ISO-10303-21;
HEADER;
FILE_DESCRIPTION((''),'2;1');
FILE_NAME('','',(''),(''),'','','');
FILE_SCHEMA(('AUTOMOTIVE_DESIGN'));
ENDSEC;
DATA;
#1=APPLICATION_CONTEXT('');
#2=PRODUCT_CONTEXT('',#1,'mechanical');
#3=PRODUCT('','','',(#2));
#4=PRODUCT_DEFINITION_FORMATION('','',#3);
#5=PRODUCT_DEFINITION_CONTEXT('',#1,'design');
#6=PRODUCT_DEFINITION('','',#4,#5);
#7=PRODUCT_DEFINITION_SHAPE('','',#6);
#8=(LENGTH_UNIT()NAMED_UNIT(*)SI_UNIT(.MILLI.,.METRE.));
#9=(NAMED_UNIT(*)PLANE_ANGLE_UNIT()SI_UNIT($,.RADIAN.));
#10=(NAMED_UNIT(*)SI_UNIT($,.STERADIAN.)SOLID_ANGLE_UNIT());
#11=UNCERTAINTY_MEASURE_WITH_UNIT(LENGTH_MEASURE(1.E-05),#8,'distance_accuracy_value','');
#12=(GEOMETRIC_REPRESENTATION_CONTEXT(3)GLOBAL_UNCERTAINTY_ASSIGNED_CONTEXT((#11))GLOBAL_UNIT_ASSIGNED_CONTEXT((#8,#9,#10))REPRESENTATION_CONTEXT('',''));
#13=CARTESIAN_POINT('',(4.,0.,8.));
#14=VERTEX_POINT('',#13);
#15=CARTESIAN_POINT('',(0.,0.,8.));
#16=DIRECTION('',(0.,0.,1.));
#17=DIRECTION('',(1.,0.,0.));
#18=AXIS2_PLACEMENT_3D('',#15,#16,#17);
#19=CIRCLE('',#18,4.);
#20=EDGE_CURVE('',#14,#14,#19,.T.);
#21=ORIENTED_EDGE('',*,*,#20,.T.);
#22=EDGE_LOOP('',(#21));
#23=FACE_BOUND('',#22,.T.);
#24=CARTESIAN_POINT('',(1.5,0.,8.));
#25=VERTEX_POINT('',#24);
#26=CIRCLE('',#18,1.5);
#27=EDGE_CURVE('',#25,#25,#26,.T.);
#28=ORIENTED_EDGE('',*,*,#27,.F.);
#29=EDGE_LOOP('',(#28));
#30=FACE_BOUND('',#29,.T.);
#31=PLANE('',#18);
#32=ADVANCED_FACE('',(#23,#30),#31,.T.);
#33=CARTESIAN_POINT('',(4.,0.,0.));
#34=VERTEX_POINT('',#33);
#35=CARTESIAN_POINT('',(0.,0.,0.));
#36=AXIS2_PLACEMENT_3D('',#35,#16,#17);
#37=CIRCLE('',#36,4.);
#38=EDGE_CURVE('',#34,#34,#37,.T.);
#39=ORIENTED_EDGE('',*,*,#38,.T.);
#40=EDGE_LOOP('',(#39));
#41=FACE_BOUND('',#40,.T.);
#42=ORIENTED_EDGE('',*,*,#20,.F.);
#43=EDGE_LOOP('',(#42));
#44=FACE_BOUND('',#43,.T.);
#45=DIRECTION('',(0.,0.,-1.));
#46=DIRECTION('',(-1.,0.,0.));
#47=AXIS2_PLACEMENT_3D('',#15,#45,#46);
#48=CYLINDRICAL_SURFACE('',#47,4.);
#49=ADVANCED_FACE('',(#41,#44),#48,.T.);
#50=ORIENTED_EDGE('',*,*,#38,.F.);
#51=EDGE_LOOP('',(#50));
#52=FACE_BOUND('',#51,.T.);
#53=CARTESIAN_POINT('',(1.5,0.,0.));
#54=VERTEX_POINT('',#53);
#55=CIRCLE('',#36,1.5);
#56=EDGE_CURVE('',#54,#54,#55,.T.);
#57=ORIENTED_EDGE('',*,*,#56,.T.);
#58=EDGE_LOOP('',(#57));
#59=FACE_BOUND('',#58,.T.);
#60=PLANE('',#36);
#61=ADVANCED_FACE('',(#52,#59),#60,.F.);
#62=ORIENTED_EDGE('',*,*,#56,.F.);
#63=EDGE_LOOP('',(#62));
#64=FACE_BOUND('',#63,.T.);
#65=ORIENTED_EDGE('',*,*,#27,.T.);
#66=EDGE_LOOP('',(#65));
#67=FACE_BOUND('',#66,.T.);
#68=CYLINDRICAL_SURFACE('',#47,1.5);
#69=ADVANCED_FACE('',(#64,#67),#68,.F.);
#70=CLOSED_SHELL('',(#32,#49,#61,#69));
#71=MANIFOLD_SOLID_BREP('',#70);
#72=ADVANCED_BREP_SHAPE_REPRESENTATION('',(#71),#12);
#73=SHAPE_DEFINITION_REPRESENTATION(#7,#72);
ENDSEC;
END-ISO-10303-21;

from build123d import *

# Parameters (mm, degrees)
SCHIZZO1_R                   = 4
SCHIZZO1_R_2                 = 1.5
ESTRUSIONE_ESTRUSIONE1_DEPTH = 8


with BuildPart() as part:
    # Schizzo1 → Estrusione-Estrusione1 (new body)
    with BuildSketch(Plane.XY):
        Circle(SCHIZZO1_R)
        Circle(SCHIZZO1_R_2, mode=Mode.SUBTRACT)
    extrude(amount=ESTRUSIONE_ESTRUSIONE1_DEPTH)


solid = part.part
